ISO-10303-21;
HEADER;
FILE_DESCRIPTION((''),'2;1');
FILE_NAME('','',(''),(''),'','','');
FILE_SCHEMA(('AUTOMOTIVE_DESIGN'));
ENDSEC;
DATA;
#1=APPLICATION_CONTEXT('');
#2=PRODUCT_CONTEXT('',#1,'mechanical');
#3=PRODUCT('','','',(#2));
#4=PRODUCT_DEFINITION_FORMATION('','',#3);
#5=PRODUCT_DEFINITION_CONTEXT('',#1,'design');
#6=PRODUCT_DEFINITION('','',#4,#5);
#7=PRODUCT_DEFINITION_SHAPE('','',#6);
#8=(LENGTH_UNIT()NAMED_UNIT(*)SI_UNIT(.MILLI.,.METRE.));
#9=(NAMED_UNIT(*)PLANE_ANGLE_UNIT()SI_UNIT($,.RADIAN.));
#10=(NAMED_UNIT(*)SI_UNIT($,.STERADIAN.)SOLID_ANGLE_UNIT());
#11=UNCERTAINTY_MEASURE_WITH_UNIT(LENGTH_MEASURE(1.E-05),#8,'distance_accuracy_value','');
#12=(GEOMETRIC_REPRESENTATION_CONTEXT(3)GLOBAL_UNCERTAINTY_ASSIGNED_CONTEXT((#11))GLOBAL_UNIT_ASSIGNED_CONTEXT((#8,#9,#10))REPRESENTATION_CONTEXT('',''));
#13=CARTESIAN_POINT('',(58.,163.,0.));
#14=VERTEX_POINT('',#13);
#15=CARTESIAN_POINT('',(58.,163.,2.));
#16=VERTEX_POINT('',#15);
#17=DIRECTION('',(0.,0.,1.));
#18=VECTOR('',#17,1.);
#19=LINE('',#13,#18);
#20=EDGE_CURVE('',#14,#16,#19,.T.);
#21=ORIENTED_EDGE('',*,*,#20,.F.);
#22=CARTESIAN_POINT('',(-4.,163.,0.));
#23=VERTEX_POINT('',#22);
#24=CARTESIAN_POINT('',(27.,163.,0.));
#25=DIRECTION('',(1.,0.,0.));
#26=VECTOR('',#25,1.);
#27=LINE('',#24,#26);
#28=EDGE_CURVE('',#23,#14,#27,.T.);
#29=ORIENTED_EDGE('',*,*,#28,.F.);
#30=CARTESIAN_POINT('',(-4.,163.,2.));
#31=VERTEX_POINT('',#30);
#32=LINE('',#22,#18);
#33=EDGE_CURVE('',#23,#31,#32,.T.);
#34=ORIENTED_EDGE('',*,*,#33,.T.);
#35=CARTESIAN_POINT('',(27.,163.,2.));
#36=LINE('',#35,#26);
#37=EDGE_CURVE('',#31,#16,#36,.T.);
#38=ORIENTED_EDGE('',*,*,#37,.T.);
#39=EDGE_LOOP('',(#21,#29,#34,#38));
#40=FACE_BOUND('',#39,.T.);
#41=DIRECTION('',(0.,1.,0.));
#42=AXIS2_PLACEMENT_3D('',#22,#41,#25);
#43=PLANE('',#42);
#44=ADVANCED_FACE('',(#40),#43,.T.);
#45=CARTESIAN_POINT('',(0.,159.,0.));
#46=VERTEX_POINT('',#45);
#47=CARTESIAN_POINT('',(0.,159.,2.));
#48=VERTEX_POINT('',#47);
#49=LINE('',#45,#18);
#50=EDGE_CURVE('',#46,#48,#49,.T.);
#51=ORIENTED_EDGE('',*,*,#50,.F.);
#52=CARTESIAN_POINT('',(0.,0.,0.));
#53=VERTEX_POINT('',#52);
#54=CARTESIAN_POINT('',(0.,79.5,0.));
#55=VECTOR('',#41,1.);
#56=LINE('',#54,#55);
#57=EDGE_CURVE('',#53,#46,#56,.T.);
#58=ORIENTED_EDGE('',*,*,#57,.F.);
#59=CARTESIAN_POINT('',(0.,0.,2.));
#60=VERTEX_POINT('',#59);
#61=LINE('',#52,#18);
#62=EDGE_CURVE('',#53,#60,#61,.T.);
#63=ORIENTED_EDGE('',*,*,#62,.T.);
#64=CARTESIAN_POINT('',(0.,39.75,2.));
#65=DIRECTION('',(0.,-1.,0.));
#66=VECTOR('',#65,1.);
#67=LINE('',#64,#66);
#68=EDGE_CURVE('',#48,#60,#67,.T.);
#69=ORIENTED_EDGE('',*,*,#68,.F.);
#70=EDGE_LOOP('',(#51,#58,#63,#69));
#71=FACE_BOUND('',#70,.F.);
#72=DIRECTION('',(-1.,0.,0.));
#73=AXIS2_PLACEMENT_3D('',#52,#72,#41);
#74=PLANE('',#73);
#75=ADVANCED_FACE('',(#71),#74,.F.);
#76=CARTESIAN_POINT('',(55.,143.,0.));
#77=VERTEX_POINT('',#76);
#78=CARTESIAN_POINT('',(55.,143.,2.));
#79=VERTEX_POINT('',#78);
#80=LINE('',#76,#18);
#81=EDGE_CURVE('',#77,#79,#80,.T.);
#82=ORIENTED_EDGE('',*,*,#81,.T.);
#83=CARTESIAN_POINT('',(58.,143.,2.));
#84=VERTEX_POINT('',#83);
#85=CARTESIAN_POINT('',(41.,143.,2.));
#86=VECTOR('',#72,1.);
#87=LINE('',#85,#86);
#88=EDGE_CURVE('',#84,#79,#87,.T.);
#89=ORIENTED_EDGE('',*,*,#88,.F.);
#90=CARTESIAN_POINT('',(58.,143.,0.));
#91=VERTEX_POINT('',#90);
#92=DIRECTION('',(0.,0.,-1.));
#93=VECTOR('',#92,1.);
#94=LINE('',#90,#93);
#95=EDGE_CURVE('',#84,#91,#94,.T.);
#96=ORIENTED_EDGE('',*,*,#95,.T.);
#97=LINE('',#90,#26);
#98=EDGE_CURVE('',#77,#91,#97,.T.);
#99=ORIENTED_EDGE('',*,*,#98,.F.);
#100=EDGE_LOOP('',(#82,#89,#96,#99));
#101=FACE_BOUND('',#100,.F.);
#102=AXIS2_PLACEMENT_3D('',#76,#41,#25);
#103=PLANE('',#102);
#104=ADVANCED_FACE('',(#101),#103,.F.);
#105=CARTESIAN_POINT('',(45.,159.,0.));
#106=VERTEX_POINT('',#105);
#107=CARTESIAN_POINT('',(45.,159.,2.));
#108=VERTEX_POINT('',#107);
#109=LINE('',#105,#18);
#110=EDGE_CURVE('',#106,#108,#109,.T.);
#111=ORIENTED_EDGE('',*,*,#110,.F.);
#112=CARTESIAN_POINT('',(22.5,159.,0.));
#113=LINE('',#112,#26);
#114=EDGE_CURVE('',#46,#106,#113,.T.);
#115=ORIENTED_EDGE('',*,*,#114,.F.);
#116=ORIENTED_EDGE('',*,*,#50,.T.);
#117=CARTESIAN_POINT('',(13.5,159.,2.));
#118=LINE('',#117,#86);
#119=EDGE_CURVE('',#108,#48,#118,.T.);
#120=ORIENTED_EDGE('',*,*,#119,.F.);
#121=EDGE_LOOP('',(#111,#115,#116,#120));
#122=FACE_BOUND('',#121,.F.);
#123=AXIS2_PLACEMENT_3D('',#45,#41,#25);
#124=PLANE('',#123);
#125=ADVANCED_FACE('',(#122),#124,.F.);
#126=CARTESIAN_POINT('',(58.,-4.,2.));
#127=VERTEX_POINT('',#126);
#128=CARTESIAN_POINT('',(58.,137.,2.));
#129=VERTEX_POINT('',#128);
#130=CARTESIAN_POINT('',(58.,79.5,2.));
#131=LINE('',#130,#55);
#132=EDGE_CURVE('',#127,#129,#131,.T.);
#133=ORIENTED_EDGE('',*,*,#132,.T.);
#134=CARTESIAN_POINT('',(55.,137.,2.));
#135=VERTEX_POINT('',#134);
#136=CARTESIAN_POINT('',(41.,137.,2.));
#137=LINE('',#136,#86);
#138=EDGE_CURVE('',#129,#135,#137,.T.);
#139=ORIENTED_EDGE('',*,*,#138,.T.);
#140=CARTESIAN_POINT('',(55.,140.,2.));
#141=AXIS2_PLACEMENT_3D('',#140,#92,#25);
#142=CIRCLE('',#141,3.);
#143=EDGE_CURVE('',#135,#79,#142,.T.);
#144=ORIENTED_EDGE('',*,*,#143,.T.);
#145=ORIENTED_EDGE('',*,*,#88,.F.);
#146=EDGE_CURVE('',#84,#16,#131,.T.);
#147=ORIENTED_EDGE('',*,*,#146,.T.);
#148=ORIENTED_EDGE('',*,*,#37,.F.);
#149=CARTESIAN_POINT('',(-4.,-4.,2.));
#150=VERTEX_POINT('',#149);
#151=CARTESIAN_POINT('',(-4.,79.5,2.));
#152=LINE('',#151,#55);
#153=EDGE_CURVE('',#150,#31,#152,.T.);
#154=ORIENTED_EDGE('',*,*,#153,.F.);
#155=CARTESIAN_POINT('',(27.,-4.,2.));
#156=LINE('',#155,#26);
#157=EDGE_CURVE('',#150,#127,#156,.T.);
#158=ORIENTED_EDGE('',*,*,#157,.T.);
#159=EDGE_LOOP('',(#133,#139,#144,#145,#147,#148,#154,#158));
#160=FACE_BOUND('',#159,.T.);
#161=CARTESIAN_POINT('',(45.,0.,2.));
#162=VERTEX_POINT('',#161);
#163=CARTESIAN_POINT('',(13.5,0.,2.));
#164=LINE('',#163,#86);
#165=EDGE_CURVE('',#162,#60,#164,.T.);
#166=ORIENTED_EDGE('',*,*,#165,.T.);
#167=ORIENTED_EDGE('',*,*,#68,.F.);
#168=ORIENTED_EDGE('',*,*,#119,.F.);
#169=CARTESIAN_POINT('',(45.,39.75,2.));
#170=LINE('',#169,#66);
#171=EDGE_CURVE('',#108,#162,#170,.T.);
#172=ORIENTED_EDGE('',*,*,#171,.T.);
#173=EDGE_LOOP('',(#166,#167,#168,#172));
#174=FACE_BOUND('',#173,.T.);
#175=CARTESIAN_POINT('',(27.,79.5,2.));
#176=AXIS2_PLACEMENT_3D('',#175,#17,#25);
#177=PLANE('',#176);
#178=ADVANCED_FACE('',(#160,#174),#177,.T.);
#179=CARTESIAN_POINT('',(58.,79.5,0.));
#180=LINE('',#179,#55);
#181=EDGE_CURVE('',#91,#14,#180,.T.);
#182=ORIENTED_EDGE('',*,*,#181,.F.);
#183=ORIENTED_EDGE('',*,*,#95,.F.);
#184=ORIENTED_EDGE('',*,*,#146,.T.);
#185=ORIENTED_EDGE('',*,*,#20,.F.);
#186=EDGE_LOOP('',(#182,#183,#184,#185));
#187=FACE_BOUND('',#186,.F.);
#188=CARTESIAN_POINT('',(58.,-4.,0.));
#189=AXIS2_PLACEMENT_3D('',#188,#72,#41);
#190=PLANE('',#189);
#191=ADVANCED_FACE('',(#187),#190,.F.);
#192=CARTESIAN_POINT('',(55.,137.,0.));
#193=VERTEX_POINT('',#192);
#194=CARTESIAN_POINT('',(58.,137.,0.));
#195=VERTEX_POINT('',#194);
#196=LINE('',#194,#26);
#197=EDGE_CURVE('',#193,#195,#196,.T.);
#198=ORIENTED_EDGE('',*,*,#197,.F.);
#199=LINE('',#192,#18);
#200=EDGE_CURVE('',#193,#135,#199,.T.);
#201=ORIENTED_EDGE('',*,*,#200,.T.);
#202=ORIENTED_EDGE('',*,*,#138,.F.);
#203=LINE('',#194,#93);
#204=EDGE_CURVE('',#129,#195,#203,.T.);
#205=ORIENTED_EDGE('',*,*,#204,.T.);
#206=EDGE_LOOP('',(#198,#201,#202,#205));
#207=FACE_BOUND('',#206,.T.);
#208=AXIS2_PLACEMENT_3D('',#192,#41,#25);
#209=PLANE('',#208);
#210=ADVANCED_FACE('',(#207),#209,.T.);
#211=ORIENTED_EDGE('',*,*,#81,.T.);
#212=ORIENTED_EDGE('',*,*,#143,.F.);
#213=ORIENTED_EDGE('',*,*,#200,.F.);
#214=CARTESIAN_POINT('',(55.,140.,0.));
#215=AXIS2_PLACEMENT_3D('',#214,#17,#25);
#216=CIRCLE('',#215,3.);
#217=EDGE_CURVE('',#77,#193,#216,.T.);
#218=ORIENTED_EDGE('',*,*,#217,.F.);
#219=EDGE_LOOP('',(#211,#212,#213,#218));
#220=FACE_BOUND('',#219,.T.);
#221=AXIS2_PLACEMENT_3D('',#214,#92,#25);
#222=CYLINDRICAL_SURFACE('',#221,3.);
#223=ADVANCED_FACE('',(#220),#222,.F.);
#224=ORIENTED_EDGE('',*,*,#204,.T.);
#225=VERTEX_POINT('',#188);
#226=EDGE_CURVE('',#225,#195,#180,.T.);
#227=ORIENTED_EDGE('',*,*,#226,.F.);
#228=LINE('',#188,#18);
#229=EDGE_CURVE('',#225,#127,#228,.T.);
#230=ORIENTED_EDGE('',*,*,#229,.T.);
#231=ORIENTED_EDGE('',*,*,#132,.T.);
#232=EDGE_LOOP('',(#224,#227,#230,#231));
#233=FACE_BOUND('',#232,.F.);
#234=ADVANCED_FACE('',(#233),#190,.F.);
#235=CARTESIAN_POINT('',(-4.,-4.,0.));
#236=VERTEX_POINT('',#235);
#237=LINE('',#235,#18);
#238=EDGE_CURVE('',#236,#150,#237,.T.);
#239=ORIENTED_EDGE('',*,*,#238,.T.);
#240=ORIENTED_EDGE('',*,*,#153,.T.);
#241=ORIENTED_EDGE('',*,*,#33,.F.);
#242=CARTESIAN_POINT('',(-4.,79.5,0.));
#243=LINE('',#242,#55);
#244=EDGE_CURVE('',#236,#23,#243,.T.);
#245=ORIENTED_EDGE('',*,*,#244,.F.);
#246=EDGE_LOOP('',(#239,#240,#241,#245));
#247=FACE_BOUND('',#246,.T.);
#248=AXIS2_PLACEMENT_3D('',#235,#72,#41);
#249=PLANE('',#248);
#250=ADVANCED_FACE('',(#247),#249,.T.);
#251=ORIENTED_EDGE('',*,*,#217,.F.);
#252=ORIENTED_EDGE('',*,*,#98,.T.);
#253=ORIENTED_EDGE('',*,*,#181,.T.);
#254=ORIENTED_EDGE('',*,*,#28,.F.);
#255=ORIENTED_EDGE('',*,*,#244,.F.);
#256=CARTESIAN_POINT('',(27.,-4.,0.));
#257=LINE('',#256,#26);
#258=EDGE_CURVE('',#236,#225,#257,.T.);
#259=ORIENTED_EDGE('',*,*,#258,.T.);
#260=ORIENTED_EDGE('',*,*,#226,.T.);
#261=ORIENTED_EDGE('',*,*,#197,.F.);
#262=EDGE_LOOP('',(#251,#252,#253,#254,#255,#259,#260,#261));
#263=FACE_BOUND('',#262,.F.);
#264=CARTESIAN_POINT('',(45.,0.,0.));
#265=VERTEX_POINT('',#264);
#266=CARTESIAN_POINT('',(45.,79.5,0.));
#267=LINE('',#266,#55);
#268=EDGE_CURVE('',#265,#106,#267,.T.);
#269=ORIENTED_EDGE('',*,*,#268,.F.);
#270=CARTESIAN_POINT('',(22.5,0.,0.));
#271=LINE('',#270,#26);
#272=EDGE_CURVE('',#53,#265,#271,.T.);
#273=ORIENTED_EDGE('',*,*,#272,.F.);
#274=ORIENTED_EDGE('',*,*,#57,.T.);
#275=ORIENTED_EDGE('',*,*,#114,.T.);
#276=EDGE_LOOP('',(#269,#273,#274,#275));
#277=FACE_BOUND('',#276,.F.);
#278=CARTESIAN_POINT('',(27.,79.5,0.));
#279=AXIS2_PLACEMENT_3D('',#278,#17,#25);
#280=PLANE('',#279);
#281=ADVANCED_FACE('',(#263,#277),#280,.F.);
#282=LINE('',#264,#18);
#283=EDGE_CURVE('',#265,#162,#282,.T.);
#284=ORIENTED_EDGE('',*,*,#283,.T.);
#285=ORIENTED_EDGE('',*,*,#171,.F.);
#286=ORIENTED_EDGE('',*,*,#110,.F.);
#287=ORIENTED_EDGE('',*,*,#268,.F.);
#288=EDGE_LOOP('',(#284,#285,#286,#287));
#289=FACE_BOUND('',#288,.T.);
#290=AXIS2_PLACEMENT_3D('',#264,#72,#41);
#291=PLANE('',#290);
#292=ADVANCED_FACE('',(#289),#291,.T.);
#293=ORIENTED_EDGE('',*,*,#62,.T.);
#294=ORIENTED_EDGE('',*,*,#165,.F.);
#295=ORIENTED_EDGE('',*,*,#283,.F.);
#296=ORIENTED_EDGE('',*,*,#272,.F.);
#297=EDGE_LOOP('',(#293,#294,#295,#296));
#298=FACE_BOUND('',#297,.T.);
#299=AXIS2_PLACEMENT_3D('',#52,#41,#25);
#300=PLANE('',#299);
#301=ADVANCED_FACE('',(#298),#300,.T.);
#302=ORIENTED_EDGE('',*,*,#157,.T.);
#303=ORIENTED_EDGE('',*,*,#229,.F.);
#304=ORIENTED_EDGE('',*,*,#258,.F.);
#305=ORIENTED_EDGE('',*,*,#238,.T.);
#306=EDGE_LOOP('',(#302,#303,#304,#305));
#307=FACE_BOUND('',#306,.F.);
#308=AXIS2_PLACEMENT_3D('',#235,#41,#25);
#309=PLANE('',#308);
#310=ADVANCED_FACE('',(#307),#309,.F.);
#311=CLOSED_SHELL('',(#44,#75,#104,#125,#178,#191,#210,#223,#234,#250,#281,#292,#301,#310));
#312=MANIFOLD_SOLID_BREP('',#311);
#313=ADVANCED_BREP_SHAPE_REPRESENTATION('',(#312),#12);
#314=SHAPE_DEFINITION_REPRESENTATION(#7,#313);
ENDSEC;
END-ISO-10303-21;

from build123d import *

# Parameters (mm, degrees)
BOX002_W       = 6
BOX002_H       = 6
BOX002_DEPTH   = 10
BOX_W          = 45
BOX_H          = 159
BOX_DEPTH      = 3
CYLINDER_R     = 3
CYLINDER_DEPTH = 10
BOX001_W       = 62
BOX001_H       = 167
BOX001_DEPTH   = 2


with BuildPart() as cube002:
    # Box002 → Box002 (new body)
    with BuildSketch(Plane(origin=(55, 137, 0), x_dir=(1, 0, 0), z_dir=(0, 0, 1))):
        with Locations((3, 3)):
            Rectangle(BOX002_W, BOX002_H)
    extrude(amount=BOX002_DEPTH)


with BuildPart() as cube:
    # Box → Box (new body)
    with BuildSketch(Plane.XY):
        with Locations((22.5, 79.5)):
            Rectangle(BOX_W, BOX_H)
    extrude(amount=BOX_DEPTH)


with BuildPart() as fusion:
    # Cylinder → Cylinder (new body)
    with BuildSketch(Plane(origin=(55, 140, 0), x_dir=(1, 0, 0), z_dir=(0, 0, 1))):
        Circle(CYLINDER_R)
    extrude(amount=CYLINDER_DEPTH)

    # Fusion: union Cube
    add(cube.part)


with BuildPart() as cut001:
    # Box001 → Box001 (new body)
    with BuildSketch(Plane(origin=(-4, -4, 0), x_dir=(1, 0, 0), z_dir=(0, 0, 1))):
        with Locations((31, 83.5)):
            Rectangle(BOX001_W, BOX001_H)
    extrude(amount=BOX001_DEPTH)

    # Cut: cut Fusion
    add(fusion.part, mode=Mode.SUBTRACT)

    # Cut001: cut Cube002
    add(cube002.part, mode=Mode.SUBTRACT)


solid = cut001.part
